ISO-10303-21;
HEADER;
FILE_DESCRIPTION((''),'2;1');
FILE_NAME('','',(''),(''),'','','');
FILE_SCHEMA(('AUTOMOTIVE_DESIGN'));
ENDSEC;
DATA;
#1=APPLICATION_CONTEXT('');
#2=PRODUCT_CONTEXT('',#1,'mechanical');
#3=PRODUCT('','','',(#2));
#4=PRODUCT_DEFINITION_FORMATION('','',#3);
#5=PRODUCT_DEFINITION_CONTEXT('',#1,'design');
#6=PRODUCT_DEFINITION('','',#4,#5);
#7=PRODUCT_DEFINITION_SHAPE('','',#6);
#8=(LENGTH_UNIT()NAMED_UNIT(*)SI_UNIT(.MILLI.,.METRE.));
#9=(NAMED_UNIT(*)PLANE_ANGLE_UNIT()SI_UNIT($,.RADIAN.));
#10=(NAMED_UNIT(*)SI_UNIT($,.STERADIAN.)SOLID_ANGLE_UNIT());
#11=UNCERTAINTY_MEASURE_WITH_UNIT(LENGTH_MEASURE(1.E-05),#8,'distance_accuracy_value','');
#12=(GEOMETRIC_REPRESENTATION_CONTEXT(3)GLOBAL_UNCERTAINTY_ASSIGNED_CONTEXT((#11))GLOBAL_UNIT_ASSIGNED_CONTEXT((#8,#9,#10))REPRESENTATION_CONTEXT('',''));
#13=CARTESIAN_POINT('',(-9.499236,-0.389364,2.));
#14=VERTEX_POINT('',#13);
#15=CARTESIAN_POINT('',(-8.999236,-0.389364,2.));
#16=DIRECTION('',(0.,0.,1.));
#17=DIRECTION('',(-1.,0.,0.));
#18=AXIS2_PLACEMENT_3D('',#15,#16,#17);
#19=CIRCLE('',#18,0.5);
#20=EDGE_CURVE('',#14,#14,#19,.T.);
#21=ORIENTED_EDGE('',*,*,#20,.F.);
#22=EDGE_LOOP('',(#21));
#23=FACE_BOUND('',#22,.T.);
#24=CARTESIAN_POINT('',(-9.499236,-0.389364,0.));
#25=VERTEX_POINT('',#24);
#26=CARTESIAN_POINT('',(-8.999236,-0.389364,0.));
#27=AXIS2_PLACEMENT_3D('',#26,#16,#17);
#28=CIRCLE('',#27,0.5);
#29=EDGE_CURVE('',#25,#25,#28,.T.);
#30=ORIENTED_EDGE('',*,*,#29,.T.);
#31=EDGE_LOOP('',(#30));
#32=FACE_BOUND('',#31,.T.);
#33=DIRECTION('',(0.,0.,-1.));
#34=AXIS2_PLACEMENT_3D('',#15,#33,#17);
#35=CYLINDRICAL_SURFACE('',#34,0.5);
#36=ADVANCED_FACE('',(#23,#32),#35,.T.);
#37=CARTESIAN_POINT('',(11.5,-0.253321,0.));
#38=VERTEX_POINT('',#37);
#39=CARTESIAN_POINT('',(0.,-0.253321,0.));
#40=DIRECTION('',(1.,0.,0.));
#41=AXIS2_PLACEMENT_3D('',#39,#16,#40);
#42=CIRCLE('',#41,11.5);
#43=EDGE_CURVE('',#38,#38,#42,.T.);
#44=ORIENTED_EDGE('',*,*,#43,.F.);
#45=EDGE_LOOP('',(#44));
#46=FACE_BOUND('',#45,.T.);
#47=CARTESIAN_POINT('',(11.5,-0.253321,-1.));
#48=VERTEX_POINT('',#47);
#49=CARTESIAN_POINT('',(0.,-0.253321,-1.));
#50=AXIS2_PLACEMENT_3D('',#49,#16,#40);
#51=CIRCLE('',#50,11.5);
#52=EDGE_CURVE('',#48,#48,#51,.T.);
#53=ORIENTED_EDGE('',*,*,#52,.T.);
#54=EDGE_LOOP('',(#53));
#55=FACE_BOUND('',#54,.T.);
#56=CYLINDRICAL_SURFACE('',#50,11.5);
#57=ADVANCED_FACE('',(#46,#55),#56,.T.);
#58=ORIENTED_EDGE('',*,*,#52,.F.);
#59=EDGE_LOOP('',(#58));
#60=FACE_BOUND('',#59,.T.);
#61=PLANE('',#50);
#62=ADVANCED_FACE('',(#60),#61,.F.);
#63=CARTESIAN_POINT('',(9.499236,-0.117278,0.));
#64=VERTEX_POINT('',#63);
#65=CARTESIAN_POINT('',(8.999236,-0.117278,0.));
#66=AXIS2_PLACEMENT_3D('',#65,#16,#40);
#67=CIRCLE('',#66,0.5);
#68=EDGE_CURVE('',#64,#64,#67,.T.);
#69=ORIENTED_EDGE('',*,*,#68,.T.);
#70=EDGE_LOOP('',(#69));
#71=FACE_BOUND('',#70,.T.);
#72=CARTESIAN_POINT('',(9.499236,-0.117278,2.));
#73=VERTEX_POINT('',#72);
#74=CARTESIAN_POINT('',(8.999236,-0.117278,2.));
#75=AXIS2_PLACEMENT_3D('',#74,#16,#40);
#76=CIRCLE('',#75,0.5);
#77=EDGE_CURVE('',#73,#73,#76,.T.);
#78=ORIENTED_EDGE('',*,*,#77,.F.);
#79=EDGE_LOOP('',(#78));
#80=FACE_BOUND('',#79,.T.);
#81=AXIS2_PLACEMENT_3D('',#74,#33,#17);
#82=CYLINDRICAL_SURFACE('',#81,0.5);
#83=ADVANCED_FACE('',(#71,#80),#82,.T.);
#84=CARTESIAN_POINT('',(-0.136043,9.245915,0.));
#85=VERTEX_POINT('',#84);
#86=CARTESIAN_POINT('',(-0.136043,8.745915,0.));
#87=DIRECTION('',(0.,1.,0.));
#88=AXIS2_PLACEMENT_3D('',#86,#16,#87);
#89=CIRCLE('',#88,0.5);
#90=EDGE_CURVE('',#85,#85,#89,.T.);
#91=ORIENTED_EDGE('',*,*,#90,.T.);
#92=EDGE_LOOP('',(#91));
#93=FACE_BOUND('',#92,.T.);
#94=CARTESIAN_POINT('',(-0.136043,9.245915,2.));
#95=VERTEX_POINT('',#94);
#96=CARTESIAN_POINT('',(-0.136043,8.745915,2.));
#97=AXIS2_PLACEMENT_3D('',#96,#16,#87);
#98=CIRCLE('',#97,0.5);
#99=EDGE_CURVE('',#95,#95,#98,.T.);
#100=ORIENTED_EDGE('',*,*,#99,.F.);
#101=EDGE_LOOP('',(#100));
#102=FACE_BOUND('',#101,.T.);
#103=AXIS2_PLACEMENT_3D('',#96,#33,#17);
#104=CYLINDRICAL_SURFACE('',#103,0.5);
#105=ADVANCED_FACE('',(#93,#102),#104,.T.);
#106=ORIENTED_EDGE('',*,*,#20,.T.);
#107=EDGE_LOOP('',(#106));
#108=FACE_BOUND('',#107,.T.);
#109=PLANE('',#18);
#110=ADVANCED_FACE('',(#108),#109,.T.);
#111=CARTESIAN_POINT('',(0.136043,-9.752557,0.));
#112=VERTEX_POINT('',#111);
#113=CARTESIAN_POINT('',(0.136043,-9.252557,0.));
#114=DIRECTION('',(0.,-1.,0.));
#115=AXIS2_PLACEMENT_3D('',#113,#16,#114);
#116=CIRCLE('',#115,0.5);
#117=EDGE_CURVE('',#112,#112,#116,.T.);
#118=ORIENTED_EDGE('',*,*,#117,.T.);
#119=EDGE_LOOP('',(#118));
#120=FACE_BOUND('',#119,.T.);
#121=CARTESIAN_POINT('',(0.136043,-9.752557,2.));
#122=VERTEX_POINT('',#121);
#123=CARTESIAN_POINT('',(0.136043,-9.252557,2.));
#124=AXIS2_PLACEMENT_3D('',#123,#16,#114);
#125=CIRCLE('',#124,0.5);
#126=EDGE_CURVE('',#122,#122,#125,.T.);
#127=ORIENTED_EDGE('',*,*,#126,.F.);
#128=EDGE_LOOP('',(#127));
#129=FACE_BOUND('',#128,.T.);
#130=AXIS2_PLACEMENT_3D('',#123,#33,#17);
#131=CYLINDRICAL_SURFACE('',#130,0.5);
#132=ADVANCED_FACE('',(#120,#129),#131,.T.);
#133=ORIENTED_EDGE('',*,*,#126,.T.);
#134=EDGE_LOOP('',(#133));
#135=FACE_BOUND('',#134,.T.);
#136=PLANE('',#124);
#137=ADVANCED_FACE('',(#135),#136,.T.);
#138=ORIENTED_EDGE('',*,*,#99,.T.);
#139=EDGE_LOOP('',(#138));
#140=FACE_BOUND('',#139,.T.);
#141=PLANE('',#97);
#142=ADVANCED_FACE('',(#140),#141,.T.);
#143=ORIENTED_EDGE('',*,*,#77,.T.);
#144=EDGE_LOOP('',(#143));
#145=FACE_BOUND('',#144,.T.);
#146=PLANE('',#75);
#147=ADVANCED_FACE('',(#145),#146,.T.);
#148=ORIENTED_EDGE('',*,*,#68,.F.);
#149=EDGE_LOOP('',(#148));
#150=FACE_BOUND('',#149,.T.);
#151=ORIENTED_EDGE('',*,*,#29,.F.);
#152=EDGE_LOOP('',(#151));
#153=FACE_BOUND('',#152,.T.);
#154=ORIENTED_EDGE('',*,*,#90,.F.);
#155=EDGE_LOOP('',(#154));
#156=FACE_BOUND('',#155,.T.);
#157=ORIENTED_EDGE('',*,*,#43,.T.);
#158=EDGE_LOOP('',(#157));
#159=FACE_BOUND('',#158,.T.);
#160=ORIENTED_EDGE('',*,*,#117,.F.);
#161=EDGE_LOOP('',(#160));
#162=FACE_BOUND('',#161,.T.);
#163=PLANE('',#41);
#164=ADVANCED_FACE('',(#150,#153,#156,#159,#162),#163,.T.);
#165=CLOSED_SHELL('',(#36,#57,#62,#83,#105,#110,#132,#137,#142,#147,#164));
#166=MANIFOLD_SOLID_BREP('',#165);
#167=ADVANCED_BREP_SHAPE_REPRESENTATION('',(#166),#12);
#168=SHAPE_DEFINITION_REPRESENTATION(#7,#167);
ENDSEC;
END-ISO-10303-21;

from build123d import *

# Parameters (mm, degrees)
SKETCH1_R           = 11.5
BOSS_EXTRUDE1_DEPTH = 1
SKETCH4_R           = 0.5
BOSS_EXTRUDE4_DEPTH = 2
CIRPATTERN3_COUNT   = 4


with BuildPart() as part:
    # Sketch1 → Boss-Extrude1 (new body)
    with BuildSketch(Plane.XY):
        with Locations((0, -0.253320711)):
            Circle(SKETCH1_R)
    extrude(amount=-BOSS_EXTRUDE1_DEPTH)

    # Sketch4 → Boss-Extrude4 (add)
    with BuildSketch(Plane.XY):
        with Locations((8.999235852, -0.117277767)):
            Circle(SKETCH4_R)
    boss_extrude4 = extrude(amount=BOSS_EXTRUDE4_DEPTH)

    # CirPattern3: Boss-Extrude4 ×4 about axis
    cirpattern3_axis = Axis((0, -0.253320711, 0), (0, 0, 1))
    for i in range(1, CIRPATTERN3_COUNT):
        add(boss_extrude4.rotate(cirpattern3_axis, i * 360 / CIRPATTERN3_COUNT))


solid = part.part
